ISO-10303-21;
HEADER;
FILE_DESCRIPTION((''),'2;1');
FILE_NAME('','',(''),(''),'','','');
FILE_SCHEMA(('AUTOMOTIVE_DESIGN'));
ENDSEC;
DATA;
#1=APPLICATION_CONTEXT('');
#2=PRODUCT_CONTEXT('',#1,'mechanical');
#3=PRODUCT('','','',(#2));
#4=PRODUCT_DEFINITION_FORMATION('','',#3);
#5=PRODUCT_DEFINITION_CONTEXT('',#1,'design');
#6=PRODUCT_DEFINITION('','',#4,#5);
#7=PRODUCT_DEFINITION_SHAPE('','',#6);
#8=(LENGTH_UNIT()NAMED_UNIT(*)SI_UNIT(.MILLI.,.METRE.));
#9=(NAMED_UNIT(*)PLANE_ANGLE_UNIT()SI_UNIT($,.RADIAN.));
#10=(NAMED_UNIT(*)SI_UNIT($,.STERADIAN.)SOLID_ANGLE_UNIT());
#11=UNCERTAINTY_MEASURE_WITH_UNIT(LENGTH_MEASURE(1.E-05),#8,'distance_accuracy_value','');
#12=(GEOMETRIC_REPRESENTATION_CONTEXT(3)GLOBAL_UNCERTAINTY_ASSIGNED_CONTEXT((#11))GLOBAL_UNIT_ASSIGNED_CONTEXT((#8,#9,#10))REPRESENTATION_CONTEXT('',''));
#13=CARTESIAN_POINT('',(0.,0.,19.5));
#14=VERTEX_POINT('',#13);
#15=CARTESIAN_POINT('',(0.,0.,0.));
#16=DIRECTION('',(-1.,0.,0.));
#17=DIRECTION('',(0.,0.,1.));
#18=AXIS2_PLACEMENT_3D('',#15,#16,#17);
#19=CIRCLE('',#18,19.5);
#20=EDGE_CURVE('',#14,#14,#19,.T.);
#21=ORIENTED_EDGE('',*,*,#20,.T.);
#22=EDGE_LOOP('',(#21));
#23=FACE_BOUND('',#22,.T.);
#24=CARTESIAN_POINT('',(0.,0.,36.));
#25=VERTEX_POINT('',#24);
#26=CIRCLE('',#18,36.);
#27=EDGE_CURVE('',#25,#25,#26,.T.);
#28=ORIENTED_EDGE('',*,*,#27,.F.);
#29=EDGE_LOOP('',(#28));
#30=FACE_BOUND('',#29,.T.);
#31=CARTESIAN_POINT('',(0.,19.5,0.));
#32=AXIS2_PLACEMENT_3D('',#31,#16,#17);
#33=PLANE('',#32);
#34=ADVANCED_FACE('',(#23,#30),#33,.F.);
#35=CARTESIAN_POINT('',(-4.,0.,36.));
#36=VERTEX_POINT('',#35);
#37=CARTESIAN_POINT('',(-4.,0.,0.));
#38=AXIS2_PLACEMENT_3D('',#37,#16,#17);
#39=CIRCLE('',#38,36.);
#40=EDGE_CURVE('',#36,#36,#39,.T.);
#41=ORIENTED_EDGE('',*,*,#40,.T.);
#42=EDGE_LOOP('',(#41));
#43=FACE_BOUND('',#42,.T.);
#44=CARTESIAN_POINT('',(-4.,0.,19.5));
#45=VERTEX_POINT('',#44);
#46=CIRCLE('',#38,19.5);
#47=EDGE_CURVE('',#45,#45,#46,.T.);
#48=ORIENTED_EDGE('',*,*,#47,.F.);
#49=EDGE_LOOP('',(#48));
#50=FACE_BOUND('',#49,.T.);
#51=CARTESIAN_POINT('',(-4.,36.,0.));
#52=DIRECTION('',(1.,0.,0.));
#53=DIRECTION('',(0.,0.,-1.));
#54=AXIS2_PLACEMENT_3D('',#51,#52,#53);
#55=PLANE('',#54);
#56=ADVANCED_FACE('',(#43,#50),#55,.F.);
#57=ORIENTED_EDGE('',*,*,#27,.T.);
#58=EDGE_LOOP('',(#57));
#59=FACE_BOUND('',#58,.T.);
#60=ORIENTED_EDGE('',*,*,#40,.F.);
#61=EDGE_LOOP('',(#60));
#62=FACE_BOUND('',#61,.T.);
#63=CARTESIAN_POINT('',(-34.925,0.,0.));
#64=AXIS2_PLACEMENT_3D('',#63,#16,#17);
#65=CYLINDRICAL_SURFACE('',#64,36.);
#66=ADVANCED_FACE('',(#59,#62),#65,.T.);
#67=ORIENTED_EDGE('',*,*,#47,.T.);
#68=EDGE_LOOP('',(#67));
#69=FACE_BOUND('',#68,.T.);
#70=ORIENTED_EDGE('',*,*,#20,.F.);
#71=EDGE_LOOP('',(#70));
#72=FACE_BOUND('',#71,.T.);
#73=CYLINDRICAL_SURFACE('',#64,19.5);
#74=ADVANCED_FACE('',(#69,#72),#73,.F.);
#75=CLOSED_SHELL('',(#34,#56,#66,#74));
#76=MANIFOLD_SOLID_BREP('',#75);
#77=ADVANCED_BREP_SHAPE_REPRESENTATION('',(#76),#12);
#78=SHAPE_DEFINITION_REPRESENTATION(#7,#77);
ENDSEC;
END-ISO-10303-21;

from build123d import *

# Parameters (mm, degrees)
SKETCH1_W = 4
SKETCH1_H = 16.5


with BuildPart() as part:
    # Sketch1 → Base-Revolve (revolve)
    with BuildSketch(Plane.XY, mode=Mode.PRIVATE) as base_revolve_sk:
        with Locations((-2, 27.75)):
            Rectangle(SKETCH1_W, SKETCH1_H)
    revolve(base_revolve_sk.sketch.rotate(Axis((-34.925, 0, 0), (1, 0, 0)), 90), axis=Axis((-34.925, 0, 0), (1, 0, 0)))


solid = part.part
